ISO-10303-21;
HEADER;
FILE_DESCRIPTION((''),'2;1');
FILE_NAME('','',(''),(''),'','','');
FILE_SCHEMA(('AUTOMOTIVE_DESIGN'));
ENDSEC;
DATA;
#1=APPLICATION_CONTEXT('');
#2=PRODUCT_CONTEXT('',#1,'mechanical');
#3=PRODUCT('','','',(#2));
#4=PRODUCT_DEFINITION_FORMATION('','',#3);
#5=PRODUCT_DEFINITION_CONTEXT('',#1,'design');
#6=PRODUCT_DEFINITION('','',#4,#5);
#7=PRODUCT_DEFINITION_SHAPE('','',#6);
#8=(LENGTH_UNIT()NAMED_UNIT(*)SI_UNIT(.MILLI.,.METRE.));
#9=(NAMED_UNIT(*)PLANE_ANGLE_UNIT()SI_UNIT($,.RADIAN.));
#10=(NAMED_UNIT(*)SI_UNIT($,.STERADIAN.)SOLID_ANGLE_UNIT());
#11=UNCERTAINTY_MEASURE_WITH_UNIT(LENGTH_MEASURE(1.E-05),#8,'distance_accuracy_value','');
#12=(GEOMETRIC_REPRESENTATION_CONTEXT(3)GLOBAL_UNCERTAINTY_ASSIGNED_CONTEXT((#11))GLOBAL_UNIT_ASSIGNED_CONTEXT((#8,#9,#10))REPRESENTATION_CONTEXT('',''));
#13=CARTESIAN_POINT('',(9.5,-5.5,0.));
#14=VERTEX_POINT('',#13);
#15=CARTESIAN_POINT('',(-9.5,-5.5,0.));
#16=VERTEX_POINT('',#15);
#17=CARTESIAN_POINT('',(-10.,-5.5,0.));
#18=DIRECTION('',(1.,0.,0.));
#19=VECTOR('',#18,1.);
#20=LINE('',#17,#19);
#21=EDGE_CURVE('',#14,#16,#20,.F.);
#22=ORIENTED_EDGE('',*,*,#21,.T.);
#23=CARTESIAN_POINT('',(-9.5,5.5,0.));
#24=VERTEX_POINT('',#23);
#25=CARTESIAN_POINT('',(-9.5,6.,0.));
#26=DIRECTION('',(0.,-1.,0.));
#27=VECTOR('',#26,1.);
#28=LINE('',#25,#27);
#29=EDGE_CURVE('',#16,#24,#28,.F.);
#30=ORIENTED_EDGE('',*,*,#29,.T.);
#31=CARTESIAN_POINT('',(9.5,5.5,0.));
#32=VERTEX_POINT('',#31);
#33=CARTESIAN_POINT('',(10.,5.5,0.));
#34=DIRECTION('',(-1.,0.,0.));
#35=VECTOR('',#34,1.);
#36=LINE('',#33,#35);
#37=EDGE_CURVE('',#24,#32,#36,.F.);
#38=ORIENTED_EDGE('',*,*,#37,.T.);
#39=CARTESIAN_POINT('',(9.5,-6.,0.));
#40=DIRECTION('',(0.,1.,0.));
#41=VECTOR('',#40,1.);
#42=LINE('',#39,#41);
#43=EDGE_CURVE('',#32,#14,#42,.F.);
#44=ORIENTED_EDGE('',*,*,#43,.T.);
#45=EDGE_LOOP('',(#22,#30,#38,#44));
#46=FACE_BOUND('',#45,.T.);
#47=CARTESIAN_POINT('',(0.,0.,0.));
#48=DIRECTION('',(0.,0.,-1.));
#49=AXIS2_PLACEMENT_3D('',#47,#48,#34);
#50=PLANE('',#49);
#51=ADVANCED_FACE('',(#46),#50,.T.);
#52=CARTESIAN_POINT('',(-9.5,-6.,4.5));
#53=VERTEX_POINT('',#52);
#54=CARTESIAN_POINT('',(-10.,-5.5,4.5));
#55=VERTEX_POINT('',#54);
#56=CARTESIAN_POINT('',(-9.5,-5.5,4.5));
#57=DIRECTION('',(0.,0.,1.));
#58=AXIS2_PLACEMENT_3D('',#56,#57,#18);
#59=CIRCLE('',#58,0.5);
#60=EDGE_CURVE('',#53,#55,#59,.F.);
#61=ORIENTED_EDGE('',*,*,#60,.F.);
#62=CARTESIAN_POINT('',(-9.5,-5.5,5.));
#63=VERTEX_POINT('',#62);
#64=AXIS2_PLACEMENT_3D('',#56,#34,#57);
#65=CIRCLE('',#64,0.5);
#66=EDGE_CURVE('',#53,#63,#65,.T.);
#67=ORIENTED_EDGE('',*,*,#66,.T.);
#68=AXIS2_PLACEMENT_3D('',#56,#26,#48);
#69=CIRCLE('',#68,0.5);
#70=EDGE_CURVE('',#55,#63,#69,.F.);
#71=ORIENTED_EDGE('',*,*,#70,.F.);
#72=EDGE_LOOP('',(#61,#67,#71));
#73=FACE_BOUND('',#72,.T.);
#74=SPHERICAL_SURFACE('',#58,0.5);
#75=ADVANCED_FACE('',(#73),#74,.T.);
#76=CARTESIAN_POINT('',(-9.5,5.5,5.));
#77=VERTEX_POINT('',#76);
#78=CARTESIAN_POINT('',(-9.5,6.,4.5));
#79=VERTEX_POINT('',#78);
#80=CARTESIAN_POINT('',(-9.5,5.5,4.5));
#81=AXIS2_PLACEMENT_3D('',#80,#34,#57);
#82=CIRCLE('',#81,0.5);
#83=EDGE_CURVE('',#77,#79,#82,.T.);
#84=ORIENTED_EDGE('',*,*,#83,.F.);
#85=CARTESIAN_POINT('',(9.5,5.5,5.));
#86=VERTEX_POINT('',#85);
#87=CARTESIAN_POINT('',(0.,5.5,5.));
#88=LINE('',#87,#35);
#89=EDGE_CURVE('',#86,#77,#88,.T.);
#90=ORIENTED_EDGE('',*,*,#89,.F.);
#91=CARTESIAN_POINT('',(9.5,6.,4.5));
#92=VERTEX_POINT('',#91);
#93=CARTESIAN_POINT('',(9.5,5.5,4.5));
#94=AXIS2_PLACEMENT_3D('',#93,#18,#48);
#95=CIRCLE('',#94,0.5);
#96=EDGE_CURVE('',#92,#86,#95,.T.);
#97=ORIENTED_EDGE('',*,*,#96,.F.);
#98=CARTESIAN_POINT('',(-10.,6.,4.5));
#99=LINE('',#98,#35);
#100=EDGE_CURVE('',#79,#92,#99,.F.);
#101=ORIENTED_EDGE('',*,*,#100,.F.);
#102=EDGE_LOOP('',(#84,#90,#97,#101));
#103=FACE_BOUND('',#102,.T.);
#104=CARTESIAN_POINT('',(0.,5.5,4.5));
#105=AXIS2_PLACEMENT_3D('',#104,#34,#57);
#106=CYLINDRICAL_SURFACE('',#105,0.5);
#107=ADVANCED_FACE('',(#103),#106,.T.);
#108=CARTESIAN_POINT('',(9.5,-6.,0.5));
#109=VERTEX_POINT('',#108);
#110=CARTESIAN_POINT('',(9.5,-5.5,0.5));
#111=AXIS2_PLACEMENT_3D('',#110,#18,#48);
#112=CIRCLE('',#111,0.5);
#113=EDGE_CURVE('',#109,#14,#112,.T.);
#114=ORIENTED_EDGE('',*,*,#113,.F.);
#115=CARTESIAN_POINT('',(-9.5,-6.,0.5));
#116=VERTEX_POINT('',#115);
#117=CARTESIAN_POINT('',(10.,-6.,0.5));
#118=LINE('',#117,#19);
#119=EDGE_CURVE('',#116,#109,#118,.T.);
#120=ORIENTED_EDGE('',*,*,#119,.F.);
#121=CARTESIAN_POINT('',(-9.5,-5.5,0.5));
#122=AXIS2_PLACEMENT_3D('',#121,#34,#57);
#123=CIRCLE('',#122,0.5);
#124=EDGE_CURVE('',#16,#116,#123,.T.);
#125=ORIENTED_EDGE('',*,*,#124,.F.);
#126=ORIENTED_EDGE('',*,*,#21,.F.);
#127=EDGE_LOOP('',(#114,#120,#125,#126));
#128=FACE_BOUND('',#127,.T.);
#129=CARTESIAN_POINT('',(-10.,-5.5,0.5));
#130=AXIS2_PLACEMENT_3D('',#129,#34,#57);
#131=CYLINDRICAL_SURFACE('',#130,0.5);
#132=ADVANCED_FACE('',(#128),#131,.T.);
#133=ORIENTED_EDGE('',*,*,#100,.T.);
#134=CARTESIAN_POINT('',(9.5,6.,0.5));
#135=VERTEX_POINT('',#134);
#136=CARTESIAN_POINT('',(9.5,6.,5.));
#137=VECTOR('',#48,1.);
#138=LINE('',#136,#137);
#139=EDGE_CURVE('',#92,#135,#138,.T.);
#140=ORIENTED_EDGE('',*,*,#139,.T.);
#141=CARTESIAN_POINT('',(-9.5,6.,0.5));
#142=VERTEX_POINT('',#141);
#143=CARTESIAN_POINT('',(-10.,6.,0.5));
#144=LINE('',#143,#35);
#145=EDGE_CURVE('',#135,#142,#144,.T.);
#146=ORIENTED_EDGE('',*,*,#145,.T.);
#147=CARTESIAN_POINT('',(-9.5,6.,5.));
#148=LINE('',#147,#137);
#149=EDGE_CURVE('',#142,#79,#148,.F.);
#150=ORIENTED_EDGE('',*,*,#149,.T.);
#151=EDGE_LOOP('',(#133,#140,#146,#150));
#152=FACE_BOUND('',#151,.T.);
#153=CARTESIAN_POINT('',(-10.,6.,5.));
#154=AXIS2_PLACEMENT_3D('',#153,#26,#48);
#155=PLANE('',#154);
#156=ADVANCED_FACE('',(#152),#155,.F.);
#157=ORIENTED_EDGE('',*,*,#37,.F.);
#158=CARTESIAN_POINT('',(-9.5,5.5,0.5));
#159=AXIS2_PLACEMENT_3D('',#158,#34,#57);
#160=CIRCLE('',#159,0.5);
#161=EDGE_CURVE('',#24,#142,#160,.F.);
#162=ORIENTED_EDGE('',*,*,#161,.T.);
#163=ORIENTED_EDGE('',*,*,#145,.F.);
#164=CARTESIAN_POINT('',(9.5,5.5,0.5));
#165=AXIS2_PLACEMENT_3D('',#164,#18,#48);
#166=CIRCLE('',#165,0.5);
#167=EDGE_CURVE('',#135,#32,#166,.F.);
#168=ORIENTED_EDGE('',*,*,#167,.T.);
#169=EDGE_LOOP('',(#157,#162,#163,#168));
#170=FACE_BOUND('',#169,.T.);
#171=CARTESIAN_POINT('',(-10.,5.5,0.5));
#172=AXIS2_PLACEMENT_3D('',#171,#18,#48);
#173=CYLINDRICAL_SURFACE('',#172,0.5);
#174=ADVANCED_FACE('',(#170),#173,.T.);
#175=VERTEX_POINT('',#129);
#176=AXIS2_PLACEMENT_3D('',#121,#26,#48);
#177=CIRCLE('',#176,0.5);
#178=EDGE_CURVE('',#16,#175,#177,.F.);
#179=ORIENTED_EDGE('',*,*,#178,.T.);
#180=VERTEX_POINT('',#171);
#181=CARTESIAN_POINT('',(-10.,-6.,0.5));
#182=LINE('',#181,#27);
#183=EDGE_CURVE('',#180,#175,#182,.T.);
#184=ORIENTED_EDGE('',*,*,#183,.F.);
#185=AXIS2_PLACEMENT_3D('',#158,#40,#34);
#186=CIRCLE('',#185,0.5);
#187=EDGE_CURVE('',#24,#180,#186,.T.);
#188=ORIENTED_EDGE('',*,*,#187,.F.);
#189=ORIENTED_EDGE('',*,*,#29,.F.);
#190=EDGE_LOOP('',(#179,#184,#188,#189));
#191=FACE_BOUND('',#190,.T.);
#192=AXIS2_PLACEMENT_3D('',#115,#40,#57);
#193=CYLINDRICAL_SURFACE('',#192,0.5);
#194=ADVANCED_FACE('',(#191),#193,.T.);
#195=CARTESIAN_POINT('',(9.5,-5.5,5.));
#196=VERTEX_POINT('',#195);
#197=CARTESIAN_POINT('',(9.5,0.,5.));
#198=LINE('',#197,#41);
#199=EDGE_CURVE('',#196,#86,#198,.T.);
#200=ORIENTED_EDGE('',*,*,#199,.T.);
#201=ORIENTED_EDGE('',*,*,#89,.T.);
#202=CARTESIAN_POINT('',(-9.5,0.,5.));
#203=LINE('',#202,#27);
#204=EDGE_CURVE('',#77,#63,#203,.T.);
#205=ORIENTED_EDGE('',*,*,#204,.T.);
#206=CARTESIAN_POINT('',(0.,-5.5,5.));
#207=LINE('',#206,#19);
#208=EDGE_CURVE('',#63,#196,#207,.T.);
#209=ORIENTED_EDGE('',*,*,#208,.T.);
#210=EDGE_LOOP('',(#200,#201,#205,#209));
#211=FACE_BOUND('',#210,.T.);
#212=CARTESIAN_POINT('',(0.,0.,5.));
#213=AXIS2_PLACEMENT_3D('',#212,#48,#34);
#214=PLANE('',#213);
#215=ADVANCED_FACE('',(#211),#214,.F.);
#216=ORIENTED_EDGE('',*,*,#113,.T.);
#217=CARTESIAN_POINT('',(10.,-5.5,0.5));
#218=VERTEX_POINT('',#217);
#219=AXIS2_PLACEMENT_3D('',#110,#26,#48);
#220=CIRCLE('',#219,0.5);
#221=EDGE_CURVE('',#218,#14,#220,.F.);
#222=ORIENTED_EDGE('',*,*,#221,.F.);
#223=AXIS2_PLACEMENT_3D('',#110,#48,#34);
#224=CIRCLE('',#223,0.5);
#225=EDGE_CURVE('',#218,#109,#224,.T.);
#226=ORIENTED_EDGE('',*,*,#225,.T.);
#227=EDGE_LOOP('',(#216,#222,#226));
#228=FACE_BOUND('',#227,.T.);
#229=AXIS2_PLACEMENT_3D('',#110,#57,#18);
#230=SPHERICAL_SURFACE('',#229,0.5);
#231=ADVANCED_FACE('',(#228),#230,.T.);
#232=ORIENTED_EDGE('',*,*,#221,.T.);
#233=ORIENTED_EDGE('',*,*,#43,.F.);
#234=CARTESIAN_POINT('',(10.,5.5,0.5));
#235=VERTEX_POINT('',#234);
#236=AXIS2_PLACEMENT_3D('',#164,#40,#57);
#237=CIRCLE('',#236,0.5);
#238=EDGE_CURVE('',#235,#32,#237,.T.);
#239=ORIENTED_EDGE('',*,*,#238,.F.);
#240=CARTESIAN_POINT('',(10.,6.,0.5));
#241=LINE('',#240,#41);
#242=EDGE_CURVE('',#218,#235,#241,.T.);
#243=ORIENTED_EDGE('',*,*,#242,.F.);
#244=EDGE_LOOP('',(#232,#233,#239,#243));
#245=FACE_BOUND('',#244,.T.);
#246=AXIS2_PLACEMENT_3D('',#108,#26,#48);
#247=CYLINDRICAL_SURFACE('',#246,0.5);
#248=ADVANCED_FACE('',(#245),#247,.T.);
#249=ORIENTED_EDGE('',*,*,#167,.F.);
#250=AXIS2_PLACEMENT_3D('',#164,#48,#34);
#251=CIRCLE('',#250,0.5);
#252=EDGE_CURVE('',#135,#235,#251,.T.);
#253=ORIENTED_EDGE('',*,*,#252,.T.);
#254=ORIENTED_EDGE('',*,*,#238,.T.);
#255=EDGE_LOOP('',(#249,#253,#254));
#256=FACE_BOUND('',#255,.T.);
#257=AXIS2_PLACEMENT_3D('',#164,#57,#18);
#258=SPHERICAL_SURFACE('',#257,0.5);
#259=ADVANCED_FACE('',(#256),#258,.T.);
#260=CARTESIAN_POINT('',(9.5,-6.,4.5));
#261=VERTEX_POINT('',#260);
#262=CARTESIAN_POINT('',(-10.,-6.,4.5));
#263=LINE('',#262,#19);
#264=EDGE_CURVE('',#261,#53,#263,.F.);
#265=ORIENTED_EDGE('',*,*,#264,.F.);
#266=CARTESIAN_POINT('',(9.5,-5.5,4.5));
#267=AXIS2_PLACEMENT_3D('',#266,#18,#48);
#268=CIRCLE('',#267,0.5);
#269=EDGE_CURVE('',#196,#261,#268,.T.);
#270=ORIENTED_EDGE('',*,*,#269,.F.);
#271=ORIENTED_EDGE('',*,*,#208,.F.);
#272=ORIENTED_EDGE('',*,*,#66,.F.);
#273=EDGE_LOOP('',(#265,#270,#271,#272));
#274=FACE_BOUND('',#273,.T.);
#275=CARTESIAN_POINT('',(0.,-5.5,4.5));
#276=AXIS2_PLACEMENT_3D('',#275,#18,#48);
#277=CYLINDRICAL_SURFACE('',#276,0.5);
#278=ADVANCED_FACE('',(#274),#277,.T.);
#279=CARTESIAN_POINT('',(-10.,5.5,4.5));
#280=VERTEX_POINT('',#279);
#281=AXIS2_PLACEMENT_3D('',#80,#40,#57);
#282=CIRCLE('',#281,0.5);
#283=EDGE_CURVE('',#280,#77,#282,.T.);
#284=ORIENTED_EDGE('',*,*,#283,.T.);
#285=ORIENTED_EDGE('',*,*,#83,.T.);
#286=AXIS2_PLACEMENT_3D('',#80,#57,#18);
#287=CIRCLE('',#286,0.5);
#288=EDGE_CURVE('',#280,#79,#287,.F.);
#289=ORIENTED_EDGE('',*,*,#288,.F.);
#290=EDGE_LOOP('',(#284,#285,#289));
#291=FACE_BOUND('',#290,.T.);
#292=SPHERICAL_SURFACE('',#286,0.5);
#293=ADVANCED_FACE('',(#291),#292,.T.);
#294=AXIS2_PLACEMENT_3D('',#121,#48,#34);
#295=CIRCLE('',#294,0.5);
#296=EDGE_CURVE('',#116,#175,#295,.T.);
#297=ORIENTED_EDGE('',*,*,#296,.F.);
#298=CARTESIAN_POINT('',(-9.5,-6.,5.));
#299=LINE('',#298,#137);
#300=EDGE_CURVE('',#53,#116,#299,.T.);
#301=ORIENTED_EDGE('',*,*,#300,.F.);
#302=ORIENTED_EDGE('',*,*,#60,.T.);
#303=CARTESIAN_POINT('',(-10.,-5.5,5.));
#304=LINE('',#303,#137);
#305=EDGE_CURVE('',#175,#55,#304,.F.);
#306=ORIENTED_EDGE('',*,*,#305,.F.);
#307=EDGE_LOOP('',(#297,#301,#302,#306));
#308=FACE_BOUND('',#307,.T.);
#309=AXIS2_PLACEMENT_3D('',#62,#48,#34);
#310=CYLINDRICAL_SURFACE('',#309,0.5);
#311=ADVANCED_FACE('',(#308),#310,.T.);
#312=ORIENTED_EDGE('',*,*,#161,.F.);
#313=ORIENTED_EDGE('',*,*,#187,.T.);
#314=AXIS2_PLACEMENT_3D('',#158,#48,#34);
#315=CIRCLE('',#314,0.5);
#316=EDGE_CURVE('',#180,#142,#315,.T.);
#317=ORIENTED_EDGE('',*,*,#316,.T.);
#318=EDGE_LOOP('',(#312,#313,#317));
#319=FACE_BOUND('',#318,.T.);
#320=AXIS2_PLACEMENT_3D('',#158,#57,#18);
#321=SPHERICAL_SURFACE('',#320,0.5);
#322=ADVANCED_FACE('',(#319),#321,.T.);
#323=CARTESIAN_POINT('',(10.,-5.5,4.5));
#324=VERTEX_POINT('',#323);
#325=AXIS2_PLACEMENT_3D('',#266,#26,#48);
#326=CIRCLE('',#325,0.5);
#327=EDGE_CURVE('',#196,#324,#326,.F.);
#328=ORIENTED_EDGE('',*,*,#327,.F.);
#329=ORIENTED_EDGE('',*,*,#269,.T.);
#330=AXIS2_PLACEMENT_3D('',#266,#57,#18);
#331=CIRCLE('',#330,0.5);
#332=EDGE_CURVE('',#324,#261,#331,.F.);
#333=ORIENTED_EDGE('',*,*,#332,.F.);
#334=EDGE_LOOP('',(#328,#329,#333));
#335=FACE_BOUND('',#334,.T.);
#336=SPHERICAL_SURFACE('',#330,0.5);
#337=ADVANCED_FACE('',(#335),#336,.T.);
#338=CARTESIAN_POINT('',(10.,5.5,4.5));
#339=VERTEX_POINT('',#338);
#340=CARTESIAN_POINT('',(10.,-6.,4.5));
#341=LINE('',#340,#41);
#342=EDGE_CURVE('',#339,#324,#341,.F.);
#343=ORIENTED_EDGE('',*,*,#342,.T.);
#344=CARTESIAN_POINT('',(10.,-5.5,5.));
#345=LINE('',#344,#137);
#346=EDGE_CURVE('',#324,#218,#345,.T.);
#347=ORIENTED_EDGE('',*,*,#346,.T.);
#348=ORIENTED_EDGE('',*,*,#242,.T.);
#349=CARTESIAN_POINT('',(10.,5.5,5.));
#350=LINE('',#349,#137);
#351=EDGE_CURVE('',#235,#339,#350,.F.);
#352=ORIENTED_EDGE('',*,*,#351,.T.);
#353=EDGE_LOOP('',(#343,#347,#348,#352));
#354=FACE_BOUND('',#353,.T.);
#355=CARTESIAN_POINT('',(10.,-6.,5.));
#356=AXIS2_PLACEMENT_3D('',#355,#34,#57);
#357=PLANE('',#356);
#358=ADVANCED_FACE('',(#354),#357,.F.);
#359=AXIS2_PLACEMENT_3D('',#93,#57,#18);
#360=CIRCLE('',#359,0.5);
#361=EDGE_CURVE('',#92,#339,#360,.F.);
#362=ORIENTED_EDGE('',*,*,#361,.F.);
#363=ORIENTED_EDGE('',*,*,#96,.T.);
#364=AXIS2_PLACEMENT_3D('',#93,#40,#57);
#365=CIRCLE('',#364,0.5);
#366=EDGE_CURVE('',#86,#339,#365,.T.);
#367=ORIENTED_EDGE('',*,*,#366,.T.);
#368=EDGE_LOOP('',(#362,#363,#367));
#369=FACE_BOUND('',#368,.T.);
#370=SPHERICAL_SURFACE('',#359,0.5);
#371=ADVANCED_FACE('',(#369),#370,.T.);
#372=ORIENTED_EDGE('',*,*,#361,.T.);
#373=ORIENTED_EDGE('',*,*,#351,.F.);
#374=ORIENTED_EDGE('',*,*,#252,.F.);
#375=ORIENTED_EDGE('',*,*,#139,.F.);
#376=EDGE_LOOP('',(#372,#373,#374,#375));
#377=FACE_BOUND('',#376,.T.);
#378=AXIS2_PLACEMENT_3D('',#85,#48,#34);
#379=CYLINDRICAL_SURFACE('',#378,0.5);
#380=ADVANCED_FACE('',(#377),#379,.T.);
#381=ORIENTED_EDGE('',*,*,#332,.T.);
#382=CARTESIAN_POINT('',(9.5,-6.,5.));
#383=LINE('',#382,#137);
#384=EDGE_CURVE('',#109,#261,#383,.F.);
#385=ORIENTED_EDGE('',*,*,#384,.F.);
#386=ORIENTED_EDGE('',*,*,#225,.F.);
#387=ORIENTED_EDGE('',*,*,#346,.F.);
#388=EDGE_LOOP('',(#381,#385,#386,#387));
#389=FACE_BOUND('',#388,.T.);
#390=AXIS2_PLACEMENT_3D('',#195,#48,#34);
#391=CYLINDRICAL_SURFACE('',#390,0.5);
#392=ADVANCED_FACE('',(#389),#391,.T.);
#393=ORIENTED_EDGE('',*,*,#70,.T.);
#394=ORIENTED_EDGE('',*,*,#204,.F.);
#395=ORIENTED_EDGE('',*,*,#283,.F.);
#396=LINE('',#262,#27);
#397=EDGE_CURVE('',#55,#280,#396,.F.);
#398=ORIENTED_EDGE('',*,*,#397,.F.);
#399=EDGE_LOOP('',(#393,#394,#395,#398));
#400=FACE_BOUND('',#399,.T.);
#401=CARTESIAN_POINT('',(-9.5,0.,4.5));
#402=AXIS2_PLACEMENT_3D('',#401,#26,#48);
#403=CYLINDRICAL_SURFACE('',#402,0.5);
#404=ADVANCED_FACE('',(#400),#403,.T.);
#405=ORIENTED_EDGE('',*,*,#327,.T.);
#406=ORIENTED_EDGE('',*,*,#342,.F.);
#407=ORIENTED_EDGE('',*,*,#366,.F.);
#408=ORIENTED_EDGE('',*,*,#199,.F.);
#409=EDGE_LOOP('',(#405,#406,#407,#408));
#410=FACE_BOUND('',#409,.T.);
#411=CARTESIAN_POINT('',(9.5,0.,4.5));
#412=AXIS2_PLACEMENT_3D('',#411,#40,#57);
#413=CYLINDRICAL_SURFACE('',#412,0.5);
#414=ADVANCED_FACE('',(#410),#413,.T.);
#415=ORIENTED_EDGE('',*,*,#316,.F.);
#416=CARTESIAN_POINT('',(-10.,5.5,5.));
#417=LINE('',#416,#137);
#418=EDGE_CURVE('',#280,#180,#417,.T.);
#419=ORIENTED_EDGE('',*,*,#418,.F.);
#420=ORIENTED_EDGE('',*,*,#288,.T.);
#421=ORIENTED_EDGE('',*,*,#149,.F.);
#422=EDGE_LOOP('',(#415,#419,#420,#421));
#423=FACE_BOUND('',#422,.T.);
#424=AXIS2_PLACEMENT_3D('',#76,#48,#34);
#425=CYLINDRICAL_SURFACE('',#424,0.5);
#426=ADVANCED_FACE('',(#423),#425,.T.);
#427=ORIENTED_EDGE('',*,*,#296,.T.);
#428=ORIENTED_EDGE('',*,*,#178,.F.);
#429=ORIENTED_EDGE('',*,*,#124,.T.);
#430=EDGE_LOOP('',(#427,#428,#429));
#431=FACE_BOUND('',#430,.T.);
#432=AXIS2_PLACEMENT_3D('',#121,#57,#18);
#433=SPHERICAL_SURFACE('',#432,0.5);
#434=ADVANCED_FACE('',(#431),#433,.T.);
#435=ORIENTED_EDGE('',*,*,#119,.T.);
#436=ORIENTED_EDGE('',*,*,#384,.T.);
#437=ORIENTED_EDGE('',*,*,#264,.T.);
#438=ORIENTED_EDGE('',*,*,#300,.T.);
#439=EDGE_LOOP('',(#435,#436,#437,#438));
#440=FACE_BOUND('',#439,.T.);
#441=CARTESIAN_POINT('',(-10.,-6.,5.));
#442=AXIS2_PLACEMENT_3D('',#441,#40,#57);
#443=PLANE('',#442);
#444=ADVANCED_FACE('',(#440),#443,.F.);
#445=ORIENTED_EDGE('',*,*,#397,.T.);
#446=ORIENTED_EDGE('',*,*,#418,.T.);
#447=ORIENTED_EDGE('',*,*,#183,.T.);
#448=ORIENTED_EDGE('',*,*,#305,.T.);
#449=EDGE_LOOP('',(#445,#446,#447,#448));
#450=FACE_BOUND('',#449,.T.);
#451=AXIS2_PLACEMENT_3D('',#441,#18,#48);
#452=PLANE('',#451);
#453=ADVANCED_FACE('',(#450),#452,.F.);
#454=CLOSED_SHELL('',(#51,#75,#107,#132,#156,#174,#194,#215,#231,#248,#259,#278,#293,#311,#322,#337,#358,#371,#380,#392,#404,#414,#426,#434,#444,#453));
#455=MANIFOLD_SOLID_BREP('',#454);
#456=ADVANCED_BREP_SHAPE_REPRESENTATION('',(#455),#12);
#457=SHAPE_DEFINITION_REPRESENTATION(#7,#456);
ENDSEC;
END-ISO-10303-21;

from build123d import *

# Parameters (mm, degrees)
SKETCH_1_W      = 20
SKETCH_1_H      = 12
EXTRUDE_1_DEPTH = 5
FILLET_1_R      = 0.5


with BuildPart() as part:
    # ｽｹｯﾁ1 → ﾎﾞｽ - 押し出し1 (new body)
    with BuildSketch(Plane.XY):
        Rectangle(SKETCH_1_W, SKETCH_1_H)
    extrude(amount=EXTRUDE_1_DEPTH)

    # ﾌｨﾚｯﾄ1
    fillet_1_edges = [part.edges().sort_by_distance(p)[0] for p in [
        (-10, 0, 5),
        (0, -6, 5),
        (10, 0, 5),
        (0, -6, 0),
        (-10, 0, 0),
        (0, 6, 0),
        (10, 0, 0),
        (0, 6, 5),
        (10, -6, 2.5),
        (-10, -6, 2.5),
        (-10, 6, 2.5),
        (10, 6, 2.5),
    ]]
    fillet(fillet_1_edges, radius=FILLET_1_R)


solid = part.part
